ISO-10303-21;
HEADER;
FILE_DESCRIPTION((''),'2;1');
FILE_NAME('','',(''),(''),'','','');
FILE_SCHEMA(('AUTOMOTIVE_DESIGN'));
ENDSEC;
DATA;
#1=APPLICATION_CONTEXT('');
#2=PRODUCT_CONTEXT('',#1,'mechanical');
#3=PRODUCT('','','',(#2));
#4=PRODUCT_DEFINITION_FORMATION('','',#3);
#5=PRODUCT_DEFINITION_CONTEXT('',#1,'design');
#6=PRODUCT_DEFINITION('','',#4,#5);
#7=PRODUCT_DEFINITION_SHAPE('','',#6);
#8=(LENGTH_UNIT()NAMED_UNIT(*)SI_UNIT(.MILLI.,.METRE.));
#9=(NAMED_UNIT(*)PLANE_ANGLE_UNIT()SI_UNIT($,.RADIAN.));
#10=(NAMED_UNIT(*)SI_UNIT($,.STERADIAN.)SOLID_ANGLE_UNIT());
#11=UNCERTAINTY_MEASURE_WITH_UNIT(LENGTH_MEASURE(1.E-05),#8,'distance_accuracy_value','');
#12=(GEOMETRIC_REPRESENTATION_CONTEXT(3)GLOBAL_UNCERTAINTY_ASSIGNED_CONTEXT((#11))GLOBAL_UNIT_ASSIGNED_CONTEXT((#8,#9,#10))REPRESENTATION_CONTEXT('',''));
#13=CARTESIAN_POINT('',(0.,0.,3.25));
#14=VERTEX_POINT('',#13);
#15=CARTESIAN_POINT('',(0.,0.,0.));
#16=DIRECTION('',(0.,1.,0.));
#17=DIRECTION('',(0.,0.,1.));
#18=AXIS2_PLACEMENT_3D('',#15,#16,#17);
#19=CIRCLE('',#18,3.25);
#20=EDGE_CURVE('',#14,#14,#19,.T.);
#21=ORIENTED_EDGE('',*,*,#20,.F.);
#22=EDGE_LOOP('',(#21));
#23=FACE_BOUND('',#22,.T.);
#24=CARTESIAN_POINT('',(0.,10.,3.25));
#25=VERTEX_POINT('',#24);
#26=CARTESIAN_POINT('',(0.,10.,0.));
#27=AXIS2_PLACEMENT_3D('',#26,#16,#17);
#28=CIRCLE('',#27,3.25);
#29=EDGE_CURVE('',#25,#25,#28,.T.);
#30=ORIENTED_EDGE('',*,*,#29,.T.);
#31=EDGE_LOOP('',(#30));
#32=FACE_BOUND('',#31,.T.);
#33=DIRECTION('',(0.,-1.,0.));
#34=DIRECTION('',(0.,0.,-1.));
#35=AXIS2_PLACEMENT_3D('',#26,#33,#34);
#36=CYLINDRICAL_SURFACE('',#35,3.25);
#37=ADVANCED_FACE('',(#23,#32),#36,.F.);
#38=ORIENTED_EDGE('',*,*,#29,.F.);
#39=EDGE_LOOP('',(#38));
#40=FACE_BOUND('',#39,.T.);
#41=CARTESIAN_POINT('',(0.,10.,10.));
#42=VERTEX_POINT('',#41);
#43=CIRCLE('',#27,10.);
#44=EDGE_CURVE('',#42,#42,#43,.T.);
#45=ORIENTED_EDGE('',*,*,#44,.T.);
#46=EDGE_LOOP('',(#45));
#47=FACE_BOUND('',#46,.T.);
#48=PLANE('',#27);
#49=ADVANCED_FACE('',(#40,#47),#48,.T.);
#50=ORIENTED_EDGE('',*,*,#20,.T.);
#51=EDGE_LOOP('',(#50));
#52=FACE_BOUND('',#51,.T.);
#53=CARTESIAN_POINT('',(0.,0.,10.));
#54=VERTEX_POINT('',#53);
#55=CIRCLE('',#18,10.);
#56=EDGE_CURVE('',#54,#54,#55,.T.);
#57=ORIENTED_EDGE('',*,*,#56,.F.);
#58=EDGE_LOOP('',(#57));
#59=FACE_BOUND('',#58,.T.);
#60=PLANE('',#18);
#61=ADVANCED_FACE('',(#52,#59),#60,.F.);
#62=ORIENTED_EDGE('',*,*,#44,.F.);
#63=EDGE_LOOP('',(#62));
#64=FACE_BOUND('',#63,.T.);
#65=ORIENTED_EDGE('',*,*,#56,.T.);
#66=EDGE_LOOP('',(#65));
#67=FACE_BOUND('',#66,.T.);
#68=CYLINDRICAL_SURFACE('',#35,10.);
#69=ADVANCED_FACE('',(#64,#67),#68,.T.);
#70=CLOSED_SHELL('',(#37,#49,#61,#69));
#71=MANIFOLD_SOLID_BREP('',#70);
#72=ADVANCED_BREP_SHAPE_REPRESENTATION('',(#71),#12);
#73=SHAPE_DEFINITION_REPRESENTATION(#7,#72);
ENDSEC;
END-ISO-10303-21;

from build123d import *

# Parameters (mm, degrees)
ESBO_O1_R                = 10
ESBO_O1_R_2              = 3.25
RESSALTO_EXTRUS_O1_DEPTH = 10


with BuildPart() as part:
    # Esboço1 → Ressalto-extrusão1 (new body)
    with BuildSketch(Plane(origin=(0, 0, 0), x_dir=(1, 0, 0), z_dir=(0, 1, 0))):
        Circle(ESBO_O1_R)
        Circle(ESBO_O1_R_2, mode=Mode.SUBTRACT)
    extrude(amount=RESSALTO_EXTRUS_O1_DEPTH)


solid = part.part
